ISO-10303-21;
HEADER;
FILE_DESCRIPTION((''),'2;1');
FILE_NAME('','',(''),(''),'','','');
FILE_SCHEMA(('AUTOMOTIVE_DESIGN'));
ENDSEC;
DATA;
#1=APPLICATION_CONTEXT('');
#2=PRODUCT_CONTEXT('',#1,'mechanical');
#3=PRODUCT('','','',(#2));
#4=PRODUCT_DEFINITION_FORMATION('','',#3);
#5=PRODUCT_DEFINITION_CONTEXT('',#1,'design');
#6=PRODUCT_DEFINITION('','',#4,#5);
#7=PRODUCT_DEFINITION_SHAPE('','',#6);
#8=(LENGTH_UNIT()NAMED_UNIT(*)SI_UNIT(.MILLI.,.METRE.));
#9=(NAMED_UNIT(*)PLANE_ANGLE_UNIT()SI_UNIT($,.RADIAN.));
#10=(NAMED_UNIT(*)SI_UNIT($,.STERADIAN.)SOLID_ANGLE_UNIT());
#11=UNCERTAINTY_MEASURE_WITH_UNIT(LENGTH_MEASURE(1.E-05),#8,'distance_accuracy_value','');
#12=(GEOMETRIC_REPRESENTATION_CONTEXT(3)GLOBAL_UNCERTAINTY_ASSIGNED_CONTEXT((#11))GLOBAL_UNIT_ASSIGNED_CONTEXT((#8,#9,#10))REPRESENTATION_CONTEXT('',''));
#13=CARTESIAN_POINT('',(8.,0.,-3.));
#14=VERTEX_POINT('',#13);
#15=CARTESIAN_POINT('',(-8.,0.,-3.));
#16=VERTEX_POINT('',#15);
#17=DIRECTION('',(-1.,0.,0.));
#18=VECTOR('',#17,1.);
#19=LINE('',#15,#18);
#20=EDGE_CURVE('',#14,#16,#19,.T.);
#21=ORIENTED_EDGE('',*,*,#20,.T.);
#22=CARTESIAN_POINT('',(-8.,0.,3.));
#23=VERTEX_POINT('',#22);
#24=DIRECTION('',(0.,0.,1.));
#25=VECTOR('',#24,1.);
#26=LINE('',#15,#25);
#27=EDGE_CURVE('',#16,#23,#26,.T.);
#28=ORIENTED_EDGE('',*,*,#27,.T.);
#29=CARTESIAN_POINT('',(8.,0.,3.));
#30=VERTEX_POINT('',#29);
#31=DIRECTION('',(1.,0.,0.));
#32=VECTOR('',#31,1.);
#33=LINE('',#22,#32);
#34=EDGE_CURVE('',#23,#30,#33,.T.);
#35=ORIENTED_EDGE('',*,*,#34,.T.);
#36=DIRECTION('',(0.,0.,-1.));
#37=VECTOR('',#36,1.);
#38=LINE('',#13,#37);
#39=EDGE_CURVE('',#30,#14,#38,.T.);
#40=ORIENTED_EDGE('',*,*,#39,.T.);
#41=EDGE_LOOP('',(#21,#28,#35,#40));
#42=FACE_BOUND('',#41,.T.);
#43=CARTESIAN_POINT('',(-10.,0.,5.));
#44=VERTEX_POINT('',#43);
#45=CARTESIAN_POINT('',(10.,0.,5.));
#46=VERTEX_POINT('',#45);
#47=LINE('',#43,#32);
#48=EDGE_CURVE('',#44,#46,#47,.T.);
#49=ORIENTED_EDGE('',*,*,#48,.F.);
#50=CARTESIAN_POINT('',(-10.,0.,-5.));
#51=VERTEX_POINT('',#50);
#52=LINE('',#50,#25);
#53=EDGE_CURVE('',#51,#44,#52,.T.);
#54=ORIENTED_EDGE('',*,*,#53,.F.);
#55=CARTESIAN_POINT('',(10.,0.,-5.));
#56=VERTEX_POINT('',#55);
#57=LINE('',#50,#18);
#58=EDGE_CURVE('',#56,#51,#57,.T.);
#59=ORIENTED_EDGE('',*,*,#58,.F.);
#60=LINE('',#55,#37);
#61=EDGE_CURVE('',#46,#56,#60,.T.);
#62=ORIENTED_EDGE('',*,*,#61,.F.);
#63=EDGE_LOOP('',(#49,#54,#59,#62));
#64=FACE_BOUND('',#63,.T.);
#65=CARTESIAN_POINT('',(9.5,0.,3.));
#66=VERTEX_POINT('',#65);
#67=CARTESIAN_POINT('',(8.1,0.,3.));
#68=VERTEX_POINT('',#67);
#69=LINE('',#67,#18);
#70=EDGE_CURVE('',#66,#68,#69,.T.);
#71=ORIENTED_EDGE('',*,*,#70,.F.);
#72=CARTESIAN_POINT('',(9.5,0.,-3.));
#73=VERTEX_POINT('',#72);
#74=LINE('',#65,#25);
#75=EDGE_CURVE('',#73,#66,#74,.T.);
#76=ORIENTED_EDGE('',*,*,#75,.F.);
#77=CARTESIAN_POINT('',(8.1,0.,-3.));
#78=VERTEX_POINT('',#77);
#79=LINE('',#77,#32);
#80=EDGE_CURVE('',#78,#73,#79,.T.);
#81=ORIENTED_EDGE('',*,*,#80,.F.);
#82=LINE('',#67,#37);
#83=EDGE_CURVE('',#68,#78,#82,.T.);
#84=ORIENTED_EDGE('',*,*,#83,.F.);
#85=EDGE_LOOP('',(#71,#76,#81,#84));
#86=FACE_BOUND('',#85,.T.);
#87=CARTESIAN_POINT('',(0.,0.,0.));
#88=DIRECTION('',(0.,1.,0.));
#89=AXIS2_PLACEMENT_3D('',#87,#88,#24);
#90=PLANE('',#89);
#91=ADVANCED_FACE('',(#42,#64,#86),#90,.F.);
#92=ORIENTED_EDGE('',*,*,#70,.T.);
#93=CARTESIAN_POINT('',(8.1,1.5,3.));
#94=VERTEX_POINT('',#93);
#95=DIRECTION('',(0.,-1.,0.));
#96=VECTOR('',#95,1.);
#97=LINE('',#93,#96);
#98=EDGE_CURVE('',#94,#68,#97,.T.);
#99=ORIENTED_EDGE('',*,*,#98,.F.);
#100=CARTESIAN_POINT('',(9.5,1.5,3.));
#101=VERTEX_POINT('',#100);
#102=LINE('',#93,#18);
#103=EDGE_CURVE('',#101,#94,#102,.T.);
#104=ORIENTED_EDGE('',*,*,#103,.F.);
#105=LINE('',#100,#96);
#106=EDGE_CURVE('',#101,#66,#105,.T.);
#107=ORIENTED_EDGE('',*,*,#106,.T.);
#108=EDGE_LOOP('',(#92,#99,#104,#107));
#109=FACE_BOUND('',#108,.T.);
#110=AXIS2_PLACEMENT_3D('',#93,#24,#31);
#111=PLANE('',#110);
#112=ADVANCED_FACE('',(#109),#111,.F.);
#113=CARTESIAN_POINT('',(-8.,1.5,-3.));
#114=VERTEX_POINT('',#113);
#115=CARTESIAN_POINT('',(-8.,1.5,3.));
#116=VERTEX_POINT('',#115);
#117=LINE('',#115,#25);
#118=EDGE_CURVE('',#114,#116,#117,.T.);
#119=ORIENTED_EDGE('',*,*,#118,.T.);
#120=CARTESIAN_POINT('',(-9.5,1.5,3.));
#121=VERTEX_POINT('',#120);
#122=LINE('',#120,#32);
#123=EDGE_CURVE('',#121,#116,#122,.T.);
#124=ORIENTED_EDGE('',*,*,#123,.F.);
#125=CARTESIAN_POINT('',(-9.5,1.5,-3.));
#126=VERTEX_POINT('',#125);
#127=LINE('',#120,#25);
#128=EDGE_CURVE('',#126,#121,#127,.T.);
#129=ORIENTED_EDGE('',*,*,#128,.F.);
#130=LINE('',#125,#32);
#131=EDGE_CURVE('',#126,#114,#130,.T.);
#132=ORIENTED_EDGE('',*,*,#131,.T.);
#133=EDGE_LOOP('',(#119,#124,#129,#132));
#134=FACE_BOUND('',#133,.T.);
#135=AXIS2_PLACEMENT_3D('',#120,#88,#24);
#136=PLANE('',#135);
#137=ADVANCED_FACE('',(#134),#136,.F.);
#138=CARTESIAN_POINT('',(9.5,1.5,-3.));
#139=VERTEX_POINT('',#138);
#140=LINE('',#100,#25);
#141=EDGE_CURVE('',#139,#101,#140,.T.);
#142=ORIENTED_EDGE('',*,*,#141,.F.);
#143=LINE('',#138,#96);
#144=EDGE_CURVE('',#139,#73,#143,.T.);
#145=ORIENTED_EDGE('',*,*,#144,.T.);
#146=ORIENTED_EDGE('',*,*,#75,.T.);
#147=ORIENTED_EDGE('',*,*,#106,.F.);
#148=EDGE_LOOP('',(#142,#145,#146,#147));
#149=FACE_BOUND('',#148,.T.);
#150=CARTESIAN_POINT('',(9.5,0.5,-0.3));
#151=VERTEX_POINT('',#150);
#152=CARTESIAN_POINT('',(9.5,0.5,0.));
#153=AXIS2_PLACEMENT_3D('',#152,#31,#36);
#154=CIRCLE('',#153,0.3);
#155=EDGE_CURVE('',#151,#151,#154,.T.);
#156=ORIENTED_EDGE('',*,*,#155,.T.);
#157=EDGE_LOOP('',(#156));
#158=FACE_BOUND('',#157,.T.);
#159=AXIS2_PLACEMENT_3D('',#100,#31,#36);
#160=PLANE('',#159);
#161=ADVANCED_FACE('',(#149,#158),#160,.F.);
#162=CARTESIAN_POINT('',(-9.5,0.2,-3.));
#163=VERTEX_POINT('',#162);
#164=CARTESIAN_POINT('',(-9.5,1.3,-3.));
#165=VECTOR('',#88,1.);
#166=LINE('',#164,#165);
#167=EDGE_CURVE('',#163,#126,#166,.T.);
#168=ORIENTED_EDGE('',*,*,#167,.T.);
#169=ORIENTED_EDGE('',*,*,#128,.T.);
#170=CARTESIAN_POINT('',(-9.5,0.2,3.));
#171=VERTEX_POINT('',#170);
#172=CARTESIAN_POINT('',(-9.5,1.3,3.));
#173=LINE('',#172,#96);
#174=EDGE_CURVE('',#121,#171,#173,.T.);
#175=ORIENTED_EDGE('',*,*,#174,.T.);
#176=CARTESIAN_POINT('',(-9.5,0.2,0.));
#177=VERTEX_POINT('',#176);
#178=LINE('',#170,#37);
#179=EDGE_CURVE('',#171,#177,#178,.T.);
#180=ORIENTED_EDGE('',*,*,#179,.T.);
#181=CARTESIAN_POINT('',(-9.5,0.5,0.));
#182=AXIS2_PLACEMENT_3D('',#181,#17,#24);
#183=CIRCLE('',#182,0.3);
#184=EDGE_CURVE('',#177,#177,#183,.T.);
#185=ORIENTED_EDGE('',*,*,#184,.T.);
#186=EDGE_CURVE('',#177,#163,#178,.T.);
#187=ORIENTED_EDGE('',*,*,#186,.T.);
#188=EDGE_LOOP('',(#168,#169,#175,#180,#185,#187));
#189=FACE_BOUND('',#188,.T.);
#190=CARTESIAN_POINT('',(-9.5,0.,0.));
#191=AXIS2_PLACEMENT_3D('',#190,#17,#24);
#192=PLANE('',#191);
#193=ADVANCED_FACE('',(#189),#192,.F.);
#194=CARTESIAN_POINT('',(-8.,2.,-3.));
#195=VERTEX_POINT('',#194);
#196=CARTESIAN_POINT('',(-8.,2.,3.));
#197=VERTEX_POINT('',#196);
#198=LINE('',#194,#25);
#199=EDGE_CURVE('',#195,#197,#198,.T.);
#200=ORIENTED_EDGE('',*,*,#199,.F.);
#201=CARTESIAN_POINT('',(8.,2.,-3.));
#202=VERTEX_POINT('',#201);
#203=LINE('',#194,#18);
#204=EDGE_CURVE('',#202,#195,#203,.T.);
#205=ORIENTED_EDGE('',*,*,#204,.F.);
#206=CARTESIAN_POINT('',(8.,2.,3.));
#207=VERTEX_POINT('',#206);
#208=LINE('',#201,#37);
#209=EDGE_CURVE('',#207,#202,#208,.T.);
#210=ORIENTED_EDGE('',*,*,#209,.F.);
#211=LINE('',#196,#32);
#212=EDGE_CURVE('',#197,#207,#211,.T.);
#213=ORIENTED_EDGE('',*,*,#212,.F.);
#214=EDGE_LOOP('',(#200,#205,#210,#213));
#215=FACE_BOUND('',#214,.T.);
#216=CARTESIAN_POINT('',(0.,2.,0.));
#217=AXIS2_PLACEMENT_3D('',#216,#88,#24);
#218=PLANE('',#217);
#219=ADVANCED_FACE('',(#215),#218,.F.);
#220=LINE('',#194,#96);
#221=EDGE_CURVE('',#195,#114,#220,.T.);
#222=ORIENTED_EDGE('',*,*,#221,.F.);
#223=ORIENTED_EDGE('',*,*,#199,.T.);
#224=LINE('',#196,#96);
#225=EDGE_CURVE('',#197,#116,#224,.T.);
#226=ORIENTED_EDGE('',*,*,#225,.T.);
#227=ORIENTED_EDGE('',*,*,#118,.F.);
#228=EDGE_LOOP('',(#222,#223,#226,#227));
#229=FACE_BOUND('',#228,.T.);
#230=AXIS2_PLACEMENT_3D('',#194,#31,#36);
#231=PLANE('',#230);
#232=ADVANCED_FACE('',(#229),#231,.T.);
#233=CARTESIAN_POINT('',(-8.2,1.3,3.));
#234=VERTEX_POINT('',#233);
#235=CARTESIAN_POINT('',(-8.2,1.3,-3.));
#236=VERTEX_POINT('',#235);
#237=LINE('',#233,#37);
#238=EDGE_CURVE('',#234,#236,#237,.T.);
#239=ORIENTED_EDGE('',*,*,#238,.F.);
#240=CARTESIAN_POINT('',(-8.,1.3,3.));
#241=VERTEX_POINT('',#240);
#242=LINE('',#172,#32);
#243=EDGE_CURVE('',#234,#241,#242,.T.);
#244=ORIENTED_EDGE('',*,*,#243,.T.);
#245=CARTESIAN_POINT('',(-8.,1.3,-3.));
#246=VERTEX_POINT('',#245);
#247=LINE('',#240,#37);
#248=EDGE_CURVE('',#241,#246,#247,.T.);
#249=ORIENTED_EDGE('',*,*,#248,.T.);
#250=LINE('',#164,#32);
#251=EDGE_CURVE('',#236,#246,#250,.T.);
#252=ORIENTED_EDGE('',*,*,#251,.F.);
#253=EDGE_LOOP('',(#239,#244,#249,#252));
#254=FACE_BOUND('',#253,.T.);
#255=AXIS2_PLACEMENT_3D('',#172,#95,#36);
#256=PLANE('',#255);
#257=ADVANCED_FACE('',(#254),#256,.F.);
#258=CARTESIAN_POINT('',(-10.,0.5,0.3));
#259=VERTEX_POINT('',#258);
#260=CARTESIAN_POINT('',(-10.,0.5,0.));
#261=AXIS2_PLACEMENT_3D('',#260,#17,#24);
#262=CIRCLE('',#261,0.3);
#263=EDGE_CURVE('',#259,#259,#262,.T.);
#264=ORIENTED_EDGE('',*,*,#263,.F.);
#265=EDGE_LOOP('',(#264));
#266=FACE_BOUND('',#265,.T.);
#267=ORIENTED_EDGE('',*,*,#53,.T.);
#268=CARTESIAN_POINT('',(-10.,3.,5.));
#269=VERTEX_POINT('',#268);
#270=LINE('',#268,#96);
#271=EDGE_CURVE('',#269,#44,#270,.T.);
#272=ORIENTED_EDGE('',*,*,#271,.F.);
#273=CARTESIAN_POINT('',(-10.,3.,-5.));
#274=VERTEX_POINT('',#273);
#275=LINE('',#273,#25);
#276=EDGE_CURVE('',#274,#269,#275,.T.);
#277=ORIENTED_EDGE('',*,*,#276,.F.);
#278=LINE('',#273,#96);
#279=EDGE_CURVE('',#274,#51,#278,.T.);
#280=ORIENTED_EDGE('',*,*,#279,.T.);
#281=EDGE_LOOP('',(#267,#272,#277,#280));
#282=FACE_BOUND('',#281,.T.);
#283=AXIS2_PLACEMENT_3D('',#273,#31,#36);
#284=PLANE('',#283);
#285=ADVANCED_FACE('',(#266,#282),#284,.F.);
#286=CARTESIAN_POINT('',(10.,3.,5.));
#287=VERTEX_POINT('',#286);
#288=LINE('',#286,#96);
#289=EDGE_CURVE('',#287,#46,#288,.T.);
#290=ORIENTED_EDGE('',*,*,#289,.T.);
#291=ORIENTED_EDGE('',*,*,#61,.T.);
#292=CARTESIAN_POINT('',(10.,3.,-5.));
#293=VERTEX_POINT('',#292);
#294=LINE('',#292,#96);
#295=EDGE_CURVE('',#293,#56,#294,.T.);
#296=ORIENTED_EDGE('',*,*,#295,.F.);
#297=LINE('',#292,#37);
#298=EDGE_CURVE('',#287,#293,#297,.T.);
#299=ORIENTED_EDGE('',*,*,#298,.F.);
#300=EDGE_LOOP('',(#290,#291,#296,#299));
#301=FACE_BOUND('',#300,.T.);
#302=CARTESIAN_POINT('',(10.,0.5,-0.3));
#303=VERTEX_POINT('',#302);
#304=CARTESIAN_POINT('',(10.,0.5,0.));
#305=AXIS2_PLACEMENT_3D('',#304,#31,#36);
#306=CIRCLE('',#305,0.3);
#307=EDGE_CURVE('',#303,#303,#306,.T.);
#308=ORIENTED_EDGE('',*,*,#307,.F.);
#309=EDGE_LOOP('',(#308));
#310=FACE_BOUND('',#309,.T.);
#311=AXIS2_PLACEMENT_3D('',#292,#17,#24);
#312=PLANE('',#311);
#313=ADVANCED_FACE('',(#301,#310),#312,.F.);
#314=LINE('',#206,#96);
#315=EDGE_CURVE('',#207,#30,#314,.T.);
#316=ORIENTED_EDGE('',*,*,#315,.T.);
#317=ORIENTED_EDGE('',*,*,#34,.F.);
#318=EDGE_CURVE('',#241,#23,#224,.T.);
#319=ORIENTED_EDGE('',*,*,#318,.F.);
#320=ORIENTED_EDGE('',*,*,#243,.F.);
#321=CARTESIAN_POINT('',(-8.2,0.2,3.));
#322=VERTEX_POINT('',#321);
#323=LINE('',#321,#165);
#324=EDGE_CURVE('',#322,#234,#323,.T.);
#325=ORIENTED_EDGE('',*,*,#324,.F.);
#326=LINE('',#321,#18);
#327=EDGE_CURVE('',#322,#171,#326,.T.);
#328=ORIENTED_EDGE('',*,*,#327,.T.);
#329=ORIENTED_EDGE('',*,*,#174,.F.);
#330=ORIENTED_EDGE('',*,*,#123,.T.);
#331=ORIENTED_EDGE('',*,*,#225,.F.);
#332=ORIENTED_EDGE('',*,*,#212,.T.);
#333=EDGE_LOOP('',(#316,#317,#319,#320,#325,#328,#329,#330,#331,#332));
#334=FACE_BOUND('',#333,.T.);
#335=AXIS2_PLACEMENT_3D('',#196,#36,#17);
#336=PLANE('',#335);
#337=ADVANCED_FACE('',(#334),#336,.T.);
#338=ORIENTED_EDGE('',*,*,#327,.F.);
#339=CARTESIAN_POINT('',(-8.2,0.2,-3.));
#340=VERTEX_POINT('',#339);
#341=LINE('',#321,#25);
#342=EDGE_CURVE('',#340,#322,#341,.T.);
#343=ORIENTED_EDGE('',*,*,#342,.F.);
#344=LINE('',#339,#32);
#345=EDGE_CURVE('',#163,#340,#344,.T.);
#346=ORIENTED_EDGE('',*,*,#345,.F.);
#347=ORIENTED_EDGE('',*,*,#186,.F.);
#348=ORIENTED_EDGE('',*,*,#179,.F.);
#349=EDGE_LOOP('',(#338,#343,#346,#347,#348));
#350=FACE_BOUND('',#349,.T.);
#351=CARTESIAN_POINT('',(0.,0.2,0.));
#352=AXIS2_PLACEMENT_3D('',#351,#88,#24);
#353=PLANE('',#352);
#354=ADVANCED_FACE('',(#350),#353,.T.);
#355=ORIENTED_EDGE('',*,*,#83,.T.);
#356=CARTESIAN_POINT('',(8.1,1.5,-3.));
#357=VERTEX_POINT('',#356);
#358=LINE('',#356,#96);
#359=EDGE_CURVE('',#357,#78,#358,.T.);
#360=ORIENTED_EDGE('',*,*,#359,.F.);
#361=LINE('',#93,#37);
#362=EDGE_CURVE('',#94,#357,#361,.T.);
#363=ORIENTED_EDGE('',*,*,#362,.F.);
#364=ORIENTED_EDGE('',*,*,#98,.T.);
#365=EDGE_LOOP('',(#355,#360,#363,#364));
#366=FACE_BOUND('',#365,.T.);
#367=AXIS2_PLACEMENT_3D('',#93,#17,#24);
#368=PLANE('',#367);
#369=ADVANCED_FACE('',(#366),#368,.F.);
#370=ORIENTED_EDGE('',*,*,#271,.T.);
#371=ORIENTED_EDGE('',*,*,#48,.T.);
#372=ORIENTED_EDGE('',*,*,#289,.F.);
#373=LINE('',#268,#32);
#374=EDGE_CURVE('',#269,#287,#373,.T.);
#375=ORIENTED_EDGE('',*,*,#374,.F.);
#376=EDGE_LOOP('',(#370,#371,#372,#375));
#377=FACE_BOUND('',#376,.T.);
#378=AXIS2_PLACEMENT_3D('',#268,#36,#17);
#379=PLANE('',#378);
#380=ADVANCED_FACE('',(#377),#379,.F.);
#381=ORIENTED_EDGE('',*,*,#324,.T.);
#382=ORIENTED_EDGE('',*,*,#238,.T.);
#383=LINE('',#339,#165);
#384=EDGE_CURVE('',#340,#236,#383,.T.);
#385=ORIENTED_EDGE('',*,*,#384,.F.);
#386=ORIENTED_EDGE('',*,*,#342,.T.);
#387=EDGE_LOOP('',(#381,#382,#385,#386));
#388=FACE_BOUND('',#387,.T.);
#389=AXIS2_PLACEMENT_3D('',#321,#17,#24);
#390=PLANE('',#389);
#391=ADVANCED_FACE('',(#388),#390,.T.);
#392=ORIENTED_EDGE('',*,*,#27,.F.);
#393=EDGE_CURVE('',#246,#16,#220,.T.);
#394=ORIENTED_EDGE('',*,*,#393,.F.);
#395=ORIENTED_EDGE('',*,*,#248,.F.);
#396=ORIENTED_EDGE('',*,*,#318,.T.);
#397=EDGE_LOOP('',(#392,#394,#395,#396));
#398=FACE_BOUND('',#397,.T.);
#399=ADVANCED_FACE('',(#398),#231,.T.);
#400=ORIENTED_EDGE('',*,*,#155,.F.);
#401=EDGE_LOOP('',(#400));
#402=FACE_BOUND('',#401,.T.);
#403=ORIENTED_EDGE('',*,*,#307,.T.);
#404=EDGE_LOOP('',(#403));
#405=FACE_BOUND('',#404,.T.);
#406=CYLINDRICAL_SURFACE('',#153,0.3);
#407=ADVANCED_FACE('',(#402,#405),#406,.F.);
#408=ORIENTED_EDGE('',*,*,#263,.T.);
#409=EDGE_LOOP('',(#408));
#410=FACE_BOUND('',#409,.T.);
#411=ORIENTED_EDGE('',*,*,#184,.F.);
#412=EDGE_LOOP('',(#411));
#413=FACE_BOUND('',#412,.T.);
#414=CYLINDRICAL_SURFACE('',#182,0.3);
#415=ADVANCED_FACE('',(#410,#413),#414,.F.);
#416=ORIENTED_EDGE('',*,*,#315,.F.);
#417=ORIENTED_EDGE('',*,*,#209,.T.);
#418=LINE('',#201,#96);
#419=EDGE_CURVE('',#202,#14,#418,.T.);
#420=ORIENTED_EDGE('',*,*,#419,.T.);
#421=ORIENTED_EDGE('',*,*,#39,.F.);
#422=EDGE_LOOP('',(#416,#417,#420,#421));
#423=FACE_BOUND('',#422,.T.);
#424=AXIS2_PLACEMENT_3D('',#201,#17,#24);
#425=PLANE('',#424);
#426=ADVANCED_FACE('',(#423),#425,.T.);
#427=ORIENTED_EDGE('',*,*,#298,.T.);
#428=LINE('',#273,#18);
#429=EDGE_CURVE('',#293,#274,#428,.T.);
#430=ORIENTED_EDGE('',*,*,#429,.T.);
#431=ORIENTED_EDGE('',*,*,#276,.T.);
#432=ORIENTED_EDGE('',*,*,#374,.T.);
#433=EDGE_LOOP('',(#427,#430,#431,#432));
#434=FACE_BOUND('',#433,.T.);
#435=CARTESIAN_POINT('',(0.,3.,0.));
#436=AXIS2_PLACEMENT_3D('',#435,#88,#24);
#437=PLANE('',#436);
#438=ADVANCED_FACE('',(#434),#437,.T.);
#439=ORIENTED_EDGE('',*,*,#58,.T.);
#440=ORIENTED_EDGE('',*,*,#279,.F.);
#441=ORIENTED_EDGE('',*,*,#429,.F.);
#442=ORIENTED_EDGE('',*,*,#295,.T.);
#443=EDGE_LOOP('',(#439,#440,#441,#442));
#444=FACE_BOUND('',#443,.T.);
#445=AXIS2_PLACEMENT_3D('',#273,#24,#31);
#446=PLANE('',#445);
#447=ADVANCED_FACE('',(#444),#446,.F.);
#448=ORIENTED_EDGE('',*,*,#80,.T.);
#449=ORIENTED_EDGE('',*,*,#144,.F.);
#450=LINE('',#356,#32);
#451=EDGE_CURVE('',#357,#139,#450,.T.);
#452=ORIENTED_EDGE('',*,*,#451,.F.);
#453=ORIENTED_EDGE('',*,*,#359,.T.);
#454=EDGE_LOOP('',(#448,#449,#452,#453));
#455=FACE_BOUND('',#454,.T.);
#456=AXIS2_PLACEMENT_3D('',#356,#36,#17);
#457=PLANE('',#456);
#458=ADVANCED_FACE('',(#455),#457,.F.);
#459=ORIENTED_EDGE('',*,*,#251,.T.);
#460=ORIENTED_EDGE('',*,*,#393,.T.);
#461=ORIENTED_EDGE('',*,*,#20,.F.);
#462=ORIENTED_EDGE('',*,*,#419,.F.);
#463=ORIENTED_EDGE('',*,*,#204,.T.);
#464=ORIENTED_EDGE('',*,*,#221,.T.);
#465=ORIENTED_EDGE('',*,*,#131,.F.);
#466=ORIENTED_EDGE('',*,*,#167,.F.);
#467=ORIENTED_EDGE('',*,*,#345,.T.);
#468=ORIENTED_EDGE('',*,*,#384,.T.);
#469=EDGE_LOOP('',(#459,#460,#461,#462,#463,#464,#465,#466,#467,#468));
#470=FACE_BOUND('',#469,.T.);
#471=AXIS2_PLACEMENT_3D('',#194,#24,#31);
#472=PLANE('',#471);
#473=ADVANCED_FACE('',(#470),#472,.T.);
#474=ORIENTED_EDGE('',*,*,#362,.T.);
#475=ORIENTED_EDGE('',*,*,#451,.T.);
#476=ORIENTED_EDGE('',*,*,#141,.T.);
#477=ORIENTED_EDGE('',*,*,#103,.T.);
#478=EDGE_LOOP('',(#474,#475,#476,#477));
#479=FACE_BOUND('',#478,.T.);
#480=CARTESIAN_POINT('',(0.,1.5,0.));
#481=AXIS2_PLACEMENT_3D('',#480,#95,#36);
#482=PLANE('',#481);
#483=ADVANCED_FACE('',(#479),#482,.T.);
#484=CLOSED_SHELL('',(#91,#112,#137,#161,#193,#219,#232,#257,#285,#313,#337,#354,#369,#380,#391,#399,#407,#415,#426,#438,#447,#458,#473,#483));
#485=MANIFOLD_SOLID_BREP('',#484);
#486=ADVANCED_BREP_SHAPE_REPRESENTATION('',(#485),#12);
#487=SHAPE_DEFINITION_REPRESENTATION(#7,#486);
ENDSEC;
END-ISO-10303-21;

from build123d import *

# Parameters (mm, degrees)
SKETCH_1_W           = 20
SKETCH_1_H           = 10
EXTRUDE_1_DEPTH      = 3
SKETCH_2_W           = 16
SKETCH_2_H           = 6
CUT_EXTRUDE_1_DEPTH  = 2
SKETCH_3_W           = 6
SKETCH_3_H           = 0.2
CUT_EXTRUDE_2_DEPTH  = 1.5
SKETCH_5_W           = 1.3
SKETCH_5_H           = 6
CUT_EXTRUDE_4_DEPTH  = 1.3
SKETCH_11_R          = 0.3
CUT_EXTRUDE_7_DEPTH  = 0.5
SKETCH_14_W          = 1.4
SKETCH_14_H          = 6
CUT_EXTRUDE_9_DEPTH  = 1.5
CUT_EXTRUDE_START    = -0.5
SKETCH_15_R          = 0.3
CUT_EXTRUDE_10_DEPTH = 0.5


with BuildPart() as part:
    # 草图1 → 凸台-拉伸1 (new body)
    with BuildSketch(Plane(origin=(0, 0, 0), x_dir=(1, 0, 0), z_dir=(0, 1, 0))):
        Rectangle(SKETCH_1_W, SKETCH_1_H)
    extrude(amount=EXTRUDE_1_DEPTH)

    # 草图2 → 切除-拉伸1 (cut)
    with BuildSketch(Plane(origin=(0, 0, 0), x_dir=(1, 0, 0), z_dir=(0, 1, 0))):
        Rectangle(SKETCH_2_W, SKETCH_2_H)
    extrude(amount=CUT_EXTRUDE_1_DEPTH, mode=Mode.SUBTRACT)

    # 草图3 → 切除-拉伸2 (cut)
    with BuildSketch(Plane(origin=(-8, 0, 0), x_dir=(0, 0, -1), z_dir=(1, 0, 0))):
        with Locations((0, 1.4)):
            Rectangle(SKETCH_3_W, SKETCH_3_H)
    extrude(amount=-CUT_EXTRUDE_2_DEPTH, mode=Mode.SUBTRACT)

    # 草图5 → 切除-拉伸4 (cut)
    with BuildSketch(Plane.XZ.offset(-1.5)):
        with Locations((-8.85, 0)):
            Rectangle(SKETCH_5_W, SKETCH_5_H)
    extrude(amount=CUT_EXTRUDE_4_DEPTH, mode=Mode.SUBTRACT)

    # 草图11 → 切除-拉伸7 (cut)
    with BuildSketch(Plane.ZY.offset(10)):
        with Locations((0, 0.5)):
            Circle(SKETCH_11_R)
    extrude(amount=-CUT_EXTRUDE_7_DEPTH, mode=Mode.SUBTRACT)

    # 草图14 → 切除-拉伸9 (cut)
    with BuildSketch(Plane.XZ):
        with Locations((8.8, 0)):
            Rectangle(SKETCH_14_W, SKETCH_14_H)
    extrude(amount=-CUT_EXTRUDE_9_DEPTH, mode=Mode.SUBTRACT)

    # 草图15 → 切除-拉伸10 (cut)
    with BuildSketch(Plane(origin=(10, 0, 0), x_dir=(0, 0, -1), z_dir=(1, 0, 0)).offset(CUT_EXTRUDE_START)):
        with Locations(Location((0, 0.5, 0), (0, 0, 180))):
            Circle(SKETCH_15_R)
    extrude(amount=CUT_EXTRUDE_10_DEPTH, mode=Mode.SUBTRACT)


solid = part.part
